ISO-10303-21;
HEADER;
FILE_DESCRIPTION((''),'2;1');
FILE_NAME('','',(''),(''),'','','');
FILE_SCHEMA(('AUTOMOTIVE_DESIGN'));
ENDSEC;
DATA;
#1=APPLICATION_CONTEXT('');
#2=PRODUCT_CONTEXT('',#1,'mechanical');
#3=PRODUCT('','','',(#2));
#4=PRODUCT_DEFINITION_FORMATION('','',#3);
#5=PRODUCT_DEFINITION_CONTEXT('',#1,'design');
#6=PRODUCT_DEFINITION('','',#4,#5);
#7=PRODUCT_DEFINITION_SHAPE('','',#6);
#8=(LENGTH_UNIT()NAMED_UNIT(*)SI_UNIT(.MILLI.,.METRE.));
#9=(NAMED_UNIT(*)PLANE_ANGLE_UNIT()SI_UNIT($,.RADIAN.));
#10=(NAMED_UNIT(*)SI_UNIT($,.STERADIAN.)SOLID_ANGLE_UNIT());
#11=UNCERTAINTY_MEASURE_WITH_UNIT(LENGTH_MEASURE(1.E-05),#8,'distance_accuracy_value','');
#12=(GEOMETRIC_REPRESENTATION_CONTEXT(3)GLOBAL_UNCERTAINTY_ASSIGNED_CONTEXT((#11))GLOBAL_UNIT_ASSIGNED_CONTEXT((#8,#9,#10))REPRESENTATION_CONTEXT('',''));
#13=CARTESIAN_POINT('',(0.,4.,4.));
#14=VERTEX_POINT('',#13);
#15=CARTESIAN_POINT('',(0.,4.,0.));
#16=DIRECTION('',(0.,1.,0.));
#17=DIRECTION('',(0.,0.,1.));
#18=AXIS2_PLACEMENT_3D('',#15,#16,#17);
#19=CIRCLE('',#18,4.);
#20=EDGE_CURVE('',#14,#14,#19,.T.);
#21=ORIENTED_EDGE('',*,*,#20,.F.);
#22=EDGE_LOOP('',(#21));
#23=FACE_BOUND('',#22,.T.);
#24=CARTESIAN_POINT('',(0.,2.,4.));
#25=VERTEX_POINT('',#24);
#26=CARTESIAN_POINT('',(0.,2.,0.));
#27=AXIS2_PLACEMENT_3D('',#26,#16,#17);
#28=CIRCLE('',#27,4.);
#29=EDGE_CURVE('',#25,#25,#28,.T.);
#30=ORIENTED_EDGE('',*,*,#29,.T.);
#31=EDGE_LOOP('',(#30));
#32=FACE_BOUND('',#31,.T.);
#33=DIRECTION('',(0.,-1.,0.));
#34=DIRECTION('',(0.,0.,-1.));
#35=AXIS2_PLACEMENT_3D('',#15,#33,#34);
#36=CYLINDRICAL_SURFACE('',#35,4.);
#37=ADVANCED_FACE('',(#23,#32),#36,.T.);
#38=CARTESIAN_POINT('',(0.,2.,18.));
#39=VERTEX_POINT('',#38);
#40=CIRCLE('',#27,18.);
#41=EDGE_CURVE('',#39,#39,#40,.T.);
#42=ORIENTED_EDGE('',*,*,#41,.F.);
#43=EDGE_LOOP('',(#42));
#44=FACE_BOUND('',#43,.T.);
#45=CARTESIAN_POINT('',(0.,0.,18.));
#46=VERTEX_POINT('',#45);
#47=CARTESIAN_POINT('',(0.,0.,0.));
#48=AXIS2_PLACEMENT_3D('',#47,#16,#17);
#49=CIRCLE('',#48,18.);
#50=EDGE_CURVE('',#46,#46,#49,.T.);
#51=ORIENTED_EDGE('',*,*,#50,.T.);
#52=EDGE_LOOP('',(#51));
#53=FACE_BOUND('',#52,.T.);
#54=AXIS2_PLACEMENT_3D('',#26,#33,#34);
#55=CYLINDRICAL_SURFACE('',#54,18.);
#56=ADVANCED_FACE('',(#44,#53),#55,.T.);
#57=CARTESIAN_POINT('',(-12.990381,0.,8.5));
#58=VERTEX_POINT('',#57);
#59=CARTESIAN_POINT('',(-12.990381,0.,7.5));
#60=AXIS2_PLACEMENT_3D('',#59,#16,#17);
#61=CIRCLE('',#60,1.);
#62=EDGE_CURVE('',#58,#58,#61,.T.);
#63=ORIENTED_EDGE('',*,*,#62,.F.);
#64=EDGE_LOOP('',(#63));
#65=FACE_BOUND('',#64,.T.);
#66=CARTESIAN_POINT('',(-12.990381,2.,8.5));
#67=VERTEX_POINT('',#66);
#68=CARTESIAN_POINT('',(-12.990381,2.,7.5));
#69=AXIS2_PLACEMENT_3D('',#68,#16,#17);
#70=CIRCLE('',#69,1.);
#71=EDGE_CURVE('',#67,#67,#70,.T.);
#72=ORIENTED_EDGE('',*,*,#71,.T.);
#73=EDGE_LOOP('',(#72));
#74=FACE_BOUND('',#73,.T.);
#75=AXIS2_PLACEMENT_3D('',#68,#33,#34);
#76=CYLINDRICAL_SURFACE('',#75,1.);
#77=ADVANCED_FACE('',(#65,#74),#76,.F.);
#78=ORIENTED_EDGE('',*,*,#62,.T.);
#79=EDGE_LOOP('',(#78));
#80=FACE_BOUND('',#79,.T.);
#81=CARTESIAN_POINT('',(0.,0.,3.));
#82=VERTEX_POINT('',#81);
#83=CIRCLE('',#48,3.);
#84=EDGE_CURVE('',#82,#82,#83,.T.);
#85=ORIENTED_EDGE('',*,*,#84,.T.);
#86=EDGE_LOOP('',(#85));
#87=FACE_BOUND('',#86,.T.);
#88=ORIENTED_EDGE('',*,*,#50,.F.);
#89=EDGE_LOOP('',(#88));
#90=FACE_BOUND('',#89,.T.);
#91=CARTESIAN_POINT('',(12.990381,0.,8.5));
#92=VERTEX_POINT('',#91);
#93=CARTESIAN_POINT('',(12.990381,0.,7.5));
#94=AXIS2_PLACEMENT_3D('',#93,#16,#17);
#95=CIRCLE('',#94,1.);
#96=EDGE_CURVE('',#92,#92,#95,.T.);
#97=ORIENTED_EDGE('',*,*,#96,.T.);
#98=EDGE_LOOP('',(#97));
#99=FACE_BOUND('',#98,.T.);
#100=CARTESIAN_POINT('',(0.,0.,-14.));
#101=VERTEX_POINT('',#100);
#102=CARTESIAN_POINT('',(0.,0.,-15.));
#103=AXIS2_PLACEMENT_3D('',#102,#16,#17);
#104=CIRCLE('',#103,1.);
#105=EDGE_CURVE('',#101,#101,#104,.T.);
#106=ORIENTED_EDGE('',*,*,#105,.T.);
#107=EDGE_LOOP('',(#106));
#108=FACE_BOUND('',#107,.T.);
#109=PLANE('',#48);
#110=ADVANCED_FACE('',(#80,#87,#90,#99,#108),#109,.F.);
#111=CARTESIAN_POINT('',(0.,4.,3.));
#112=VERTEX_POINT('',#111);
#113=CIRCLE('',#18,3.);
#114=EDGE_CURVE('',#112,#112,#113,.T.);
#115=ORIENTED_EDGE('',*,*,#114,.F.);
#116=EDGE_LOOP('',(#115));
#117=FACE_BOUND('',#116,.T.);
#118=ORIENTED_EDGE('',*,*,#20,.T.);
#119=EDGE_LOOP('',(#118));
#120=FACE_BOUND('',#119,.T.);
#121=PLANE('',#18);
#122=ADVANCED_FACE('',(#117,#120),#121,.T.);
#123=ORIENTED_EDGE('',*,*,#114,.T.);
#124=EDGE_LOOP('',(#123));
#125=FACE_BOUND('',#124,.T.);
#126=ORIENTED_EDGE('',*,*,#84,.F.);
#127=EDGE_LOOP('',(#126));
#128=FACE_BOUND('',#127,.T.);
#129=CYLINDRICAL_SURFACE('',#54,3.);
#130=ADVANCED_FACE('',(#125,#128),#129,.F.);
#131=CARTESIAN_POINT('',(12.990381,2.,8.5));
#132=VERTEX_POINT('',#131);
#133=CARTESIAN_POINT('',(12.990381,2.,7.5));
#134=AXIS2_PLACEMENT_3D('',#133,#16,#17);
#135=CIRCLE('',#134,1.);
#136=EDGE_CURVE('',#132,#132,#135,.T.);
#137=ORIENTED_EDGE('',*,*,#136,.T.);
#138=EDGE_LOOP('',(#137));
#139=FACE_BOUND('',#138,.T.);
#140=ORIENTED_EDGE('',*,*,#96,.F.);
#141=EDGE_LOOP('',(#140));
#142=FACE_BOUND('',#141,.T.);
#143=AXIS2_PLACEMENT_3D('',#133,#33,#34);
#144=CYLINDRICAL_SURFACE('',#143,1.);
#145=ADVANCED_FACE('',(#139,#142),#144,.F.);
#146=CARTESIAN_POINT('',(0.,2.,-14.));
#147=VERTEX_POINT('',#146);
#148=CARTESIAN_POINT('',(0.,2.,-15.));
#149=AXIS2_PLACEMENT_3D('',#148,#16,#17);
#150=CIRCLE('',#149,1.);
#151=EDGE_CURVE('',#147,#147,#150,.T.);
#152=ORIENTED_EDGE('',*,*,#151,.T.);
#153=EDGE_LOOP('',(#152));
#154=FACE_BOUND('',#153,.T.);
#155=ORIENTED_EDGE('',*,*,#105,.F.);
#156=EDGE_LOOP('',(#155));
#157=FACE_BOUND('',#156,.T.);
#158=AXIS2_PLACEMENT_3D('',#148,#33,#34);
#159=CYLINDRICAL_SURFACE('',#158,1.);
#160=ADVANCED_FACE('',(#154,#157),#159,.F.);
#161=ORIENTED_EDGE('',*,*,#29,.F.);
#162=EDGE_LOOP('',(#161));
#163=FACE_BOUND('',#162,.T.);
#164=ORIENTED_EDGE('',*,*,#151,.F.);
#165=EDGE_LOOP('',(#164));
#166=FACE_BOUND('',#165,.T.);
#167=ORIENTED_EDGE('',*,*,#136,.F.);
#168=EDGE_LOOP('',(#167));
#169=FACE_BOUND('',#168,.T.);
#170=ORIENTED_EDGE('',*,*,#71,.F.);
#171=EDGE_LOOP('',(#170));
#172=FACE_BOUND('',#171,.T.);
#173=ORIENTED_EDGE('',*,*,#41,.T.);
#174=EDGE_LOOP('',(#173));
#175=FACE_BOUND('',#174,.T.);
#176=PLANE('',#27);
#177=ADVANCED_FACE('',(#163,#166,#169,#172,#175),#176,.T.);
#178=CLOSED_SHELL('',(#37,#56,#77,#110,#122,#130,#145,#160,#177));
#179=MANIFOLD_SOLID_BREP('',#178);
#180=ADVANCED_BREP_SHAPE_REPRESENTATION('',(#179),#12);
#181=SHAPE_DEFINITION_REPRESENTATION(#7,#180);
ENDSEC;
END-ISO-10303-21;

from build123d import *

# Parameters (mm, degrees)
SKETCH_1_R      = 18
SKETCH_1_R_2    = 3
SKETCH_1_R_3    = 1
EXTRUDE_1_DEPTH = 2
SKETCH_2_R      = 4
SKETCH_2_R_2    = 3
EXTRUDE_2_DEPTH = 2


with BuildPart() as part:
    # 草图1 → 凸台-拉伸1 (new body)
    with BuildSketch(Plane(origin=(0, 0, 0), x_dir=(1, 0, 0), z_dir=(0, 1, 0))):
        with Locations(Location((0, 0, 0), (0, 0, 270))):
            Circle(SKETCH_1_R)
        with Locations(Location((0, 0, 0), (0, 0, 270))):
            Circle(SKETCH_1_R_2, mode=Mode.SUBTRACT)
        with Locations(Location((0, 15, 0), (0, 0, 270))):
            Circle(SKETCH_1_R_3, mode=Mode.SUBTRACT)
        with Locations(Location((12.990381057, -7.5, 0), (0, 0, 270))):
            Circle(SKETCH_1_R_3, mode=Mode.SUBTRACT)
        with Locations(Location((-12.990381057, -7.5, 0), (0, 0, 270))):
            Circle(SKETCH_1_R_3, mode=Mode.SUBTRACT)
    extrude(amount=EXTRUDE_1_DEPTH)

    # 草图2 → 凸台-拉伸2 (add)
    with BuildSketch(Plane(origin=(0, 2, 0), x_dir=(1, 0, 0), z_dir=(0, 1, 0))):
        with Locations(Location((0, 0, 0), (0, 0, 270))):
            Circle(SKETCH_2_R)
        with Locations(Location((0, 0, 0), (0, 0, 270))):
            Circle(SKETCH_2_R_2, mode=Mode.SUBTRACT)
    extrude(amount=EXTRUDE_2_DEPTH)


solid = part.part
